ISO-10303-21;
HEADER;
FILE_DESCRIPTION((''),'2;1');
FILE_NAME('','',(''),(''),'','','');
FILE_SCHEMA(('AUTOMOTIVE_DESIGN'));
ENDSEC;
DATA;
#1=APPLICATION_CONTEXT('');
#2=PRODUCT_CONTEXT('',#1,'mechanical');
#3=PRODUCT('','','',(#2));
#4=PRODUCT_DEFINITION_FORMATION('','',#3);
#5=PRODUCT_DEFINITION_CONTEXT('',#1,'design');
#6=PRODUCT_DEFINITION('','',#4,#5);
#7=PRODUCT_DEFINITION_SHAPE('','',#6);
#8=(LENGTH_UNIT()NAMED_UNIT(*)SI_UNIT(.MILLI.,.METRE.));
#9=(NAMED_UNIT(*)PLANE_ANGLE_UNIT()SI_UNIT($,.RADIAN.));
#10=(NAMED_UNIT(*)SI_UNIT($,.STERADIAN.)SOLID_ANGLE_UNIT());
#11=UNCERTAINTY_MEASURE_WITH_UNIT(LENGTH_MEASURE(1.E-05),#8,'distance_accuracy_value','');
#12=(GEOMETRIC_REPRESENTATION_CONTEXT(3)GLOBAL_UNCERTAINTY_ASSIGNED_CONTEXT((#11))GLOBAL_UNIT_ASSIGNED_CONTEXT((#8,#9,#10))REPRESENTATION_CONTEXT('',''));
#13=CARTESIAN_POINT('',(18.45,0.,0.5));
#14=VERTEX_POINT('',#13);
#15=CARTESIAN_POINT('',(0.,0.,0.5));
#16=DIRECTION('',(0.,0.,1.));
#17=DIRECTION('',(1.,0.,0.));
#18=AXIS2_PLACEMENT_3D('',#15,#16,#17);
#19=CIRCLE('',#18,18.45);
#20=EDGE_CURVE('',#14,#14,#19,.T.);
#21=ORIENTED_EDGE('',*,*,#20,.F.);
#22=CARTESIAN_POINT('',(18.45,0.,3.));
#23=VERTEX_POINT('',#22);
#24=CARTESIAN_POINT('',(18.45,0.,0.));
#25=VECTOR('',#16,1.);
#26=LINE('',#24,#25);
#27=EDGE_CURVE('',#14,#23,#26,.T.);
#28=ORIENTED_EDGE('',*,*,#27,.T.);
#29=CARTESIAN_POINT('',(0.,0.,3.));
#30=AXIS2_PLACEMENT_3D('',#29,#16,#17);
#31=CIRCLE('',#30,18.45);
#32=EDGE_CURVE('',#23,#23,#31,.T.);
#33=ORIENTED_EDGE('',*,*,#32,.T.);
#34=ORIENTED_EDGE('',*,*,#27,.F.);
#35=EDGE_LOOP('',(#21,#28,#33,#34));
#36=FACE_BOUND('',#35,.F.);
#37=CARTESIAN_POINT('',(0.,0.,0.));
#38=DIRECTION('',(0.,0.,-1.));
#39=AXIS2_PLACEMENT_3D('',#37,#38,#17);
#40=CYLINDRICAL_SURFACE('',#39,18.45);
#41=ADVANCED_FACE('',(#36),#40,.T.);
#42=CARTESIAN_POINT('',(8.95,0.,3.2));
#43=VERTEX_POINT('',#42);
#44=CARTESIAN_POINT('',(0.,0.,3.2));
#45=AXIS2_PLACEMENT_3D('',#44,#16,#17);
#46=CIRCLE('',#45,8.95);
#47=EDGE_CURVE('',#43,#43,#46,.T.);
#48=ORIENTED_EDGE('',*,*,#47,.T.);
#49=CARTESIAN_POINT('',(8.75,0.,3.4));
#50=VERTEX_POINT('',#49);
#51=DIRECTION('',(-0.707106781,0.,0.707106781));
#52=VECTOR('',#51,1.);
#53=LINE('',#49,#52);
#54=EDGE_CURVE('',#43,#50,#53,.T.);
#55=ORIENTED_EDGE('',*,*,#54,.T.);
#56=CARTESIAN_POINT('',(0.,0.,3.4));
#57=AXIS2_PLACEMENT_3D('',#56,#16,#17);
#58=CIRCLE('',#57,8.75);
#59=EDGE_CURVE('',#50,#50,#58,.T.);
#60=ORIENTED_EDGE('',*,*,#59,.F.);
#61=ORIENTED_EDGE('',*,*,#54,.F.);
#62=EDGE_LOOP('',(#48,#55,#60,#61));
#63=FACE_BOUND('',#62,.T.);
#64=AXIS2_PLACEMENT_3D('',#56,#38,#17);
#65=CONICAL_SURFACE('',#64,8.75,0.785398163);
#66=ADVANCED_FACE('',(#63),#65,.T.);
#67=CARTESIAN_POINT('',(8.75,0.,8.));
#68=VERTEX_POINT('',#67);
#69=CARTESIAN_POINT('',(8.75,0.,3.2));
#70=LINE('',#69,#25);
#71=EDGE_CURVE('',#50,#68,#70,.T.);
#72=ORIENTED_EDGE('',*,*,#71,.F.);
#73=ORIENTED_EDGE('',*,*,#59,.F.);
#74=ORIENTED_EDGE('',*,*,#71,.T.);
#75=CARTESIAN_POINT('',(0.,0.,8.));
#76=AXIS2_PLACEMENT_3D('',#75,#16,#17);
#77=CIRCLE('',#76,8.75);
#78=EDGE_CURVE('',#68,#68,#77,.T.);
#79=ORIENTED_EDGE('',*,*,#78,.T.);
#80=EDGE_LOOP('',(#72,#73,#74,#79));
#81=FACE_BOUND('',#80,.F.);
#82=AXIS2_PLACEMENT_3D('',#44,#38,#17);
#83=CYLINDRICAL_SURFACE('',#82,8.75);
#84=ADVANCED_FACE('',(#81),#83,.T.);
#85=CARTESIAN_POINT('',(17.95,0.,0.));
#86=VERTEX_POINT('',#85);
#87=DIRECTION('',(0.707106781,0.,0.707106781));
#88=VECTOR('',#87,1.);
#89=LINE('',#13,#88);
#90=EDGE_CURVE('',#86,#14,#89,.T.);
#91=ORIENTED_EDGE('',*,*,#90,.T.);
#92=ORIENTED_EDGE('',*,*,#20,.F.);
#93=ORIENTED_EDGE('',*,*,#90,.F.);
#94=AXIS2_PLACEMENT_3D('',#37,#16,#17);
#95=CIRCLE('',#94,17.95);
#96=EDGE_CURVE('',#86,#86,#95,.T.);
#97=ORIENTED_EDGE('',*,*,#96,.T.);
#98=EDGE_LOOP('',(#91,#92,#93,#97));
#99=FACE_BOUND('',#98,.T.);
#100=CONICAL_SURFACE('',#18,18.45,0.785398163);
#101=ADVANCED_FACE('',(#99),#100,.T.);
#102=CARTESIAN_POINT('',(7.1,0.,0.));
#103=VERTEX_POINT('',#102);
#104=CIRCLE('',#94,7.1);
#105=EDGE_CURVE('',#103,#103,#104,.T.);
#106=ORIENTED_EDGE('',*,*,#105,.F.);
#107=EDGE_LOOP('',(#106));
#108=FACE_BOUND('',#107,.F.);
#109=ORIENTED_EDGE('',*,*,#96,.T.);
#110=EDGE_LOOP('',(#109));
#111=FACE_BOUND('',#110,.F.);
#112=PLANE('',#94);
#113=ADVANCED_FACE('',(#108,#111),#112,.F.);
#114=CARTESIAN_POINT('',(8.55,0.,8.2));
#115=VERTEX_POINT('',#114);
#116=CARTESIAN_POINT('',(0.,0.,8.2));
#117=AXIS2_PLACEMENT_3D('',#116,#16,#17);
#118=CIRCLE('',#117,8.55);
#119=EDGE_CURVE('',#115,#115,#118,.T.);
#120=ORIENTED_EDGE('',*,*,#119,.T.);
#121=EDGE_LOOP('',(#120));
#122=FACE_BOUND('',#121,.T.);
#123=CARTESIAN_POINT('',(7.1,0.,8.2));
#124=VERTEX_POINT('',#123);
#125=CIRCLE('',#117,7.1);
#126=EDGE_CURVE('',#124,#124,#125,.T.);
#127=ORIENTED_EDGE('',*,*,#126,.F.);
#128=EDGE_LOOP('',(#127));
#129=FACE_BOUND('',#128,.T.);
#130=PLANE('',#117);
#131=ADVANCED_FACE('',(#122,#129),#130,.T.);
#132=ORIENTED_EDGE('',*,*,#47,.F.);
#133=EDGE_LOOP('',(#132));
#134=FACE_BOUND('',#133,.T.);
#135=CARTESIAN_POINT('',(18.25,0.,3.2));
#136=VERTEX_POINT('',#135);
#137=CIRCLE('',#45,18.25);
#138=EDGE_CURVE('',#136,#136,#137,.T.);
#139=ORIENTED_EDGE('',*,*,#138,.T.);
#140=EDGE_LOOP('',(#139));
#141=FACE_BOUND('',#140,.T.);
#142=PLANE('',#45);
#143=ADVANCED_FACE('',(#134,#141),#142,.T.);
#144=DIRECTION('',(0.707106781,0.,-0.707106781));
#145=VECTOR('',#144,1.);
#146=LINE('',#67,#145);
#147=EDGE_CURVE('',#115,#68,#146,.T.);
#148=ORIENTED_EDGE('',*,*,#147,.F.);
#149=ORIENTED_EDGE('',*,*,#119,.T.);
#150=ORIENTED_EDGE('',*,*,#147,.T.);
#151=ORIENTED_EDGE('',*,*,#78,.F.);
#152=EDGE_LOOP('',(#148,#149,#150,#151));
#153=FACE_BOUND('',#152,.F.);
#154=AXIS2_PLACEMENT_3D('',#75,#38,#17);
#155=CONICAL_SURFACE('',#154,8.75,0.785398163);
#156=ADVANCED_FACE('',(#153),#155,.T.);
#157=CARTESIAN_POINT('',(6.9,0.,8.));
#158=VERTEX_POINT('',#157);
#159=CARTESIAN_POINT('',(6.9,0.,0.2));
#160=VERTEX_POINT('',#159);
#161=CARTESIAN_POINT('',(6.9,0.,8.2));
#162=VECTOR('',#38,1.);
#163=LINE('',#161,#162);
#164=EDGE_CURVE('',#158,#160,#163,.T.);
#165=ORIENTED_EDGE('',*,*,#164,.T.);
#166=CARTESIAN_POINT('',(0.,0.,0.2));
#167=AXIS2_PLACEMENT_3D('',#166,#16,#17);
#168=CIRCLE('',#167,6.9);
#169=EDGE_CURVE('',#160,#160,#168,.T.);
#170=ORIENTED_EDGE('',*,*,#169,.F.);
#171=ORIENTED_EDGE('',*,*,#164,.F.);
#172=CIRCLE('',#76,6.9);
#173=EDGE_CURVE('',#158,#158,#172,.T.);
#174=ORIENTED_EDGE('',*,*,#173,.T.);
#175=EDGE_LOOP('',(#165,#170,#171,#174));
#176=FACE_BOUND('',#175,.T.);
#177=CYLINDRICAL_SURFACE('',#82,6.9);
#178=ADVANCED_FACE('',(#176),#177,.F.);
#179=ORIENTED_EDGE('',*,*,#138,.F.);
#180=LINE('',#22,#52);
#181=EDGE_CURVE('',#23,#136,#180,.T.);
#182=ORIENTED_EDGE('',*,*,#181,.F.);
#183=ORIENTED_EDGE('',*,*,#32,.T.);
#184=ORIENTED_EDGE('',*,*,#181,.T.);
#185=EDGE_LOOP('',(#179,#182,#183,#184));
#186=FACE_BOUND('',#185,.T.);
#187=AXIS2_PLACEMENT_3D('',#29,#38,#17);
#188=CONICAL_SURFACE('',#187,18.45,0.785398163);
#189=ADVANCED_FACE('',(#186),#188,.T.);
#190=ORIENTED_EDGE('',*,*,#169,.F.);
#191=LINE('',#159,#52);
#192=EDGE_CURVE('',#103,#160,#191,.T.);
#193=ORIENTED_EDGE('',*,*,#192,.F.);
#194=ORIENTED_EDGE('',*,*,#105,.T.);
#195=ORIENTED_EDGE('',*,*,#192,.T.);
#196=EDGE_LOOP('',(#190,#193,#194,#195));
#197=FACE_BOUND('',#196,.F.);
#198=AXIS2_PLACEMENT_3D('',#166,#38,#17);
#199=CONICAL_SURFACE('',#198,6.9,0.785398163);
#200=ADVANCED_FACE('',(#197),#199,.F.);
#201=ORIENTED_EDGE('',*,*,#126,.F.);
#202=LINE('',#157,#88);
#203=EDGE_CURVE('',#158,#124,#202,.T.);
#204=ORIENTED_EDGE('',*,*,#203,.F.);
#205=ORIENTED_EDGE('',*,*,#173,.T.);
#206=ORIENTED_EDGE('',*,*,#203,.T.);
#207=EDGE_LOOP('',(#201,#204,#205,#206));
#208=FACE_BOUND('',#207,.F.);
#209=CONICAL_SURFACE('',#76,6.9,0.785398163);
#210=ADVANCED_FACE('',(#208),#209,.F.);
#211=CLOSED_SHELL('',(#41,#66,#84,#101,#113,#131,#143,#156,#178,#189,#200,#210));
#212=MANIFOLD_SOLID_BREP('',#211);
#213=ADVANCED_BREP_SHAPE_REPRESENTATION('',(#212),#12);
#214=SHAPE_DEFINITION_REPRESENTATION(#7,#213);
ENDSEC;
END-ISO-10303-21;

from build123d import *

# Parameters (mm, degrees)
F0_R     = 18.45
F0_R_2   = 6.9
F1_DEPTH = 3.2
F2_R     = 8.75
F2_R_2   = 6.9
F3_DEPTH = 5
F4_SIZE  = 0.5
F5_SIZE  = 0.2


with BuildPart() as f1:
    # F0 (on Top) → F1 (new body)
    with BuildSketch(Plane.XY):
        Circle(F0_R)
        Circle(F0_R_2, mode=Mode.SUBTRACT)
    extrude(amount=F1_DEPTH)

    # F2 (on face) → F3 (join)
    with BuildSketch(Plane.XY.offset(3.2)):
        Circle(F2_R)
        Circle(F2_R_2, mode=Mode.SUBTRACT)
    extrude(amount=F3_DEPTH)

    # F4
    f4_edges = [f1.edges().sort_by_distance(p)[0] for p in [
        (-18.45, 0, 0),
    ]]
    chamfer(f4_edges, length=F4_SIZE)

    # F5
    f5_edges = [f1.edges().sort_by_distance(p)[0] for p in [
        (-6.9, 0, 0),
        (-6.9, 0, 8.2),
        (-8.75, 0, 8.2),
        (-8.75, 0, 3.2),
        (-18.45, 0, 3.2),
    ]]
    chamfer(f5_edges, length=F5_SIZE)


solid = f1.part
